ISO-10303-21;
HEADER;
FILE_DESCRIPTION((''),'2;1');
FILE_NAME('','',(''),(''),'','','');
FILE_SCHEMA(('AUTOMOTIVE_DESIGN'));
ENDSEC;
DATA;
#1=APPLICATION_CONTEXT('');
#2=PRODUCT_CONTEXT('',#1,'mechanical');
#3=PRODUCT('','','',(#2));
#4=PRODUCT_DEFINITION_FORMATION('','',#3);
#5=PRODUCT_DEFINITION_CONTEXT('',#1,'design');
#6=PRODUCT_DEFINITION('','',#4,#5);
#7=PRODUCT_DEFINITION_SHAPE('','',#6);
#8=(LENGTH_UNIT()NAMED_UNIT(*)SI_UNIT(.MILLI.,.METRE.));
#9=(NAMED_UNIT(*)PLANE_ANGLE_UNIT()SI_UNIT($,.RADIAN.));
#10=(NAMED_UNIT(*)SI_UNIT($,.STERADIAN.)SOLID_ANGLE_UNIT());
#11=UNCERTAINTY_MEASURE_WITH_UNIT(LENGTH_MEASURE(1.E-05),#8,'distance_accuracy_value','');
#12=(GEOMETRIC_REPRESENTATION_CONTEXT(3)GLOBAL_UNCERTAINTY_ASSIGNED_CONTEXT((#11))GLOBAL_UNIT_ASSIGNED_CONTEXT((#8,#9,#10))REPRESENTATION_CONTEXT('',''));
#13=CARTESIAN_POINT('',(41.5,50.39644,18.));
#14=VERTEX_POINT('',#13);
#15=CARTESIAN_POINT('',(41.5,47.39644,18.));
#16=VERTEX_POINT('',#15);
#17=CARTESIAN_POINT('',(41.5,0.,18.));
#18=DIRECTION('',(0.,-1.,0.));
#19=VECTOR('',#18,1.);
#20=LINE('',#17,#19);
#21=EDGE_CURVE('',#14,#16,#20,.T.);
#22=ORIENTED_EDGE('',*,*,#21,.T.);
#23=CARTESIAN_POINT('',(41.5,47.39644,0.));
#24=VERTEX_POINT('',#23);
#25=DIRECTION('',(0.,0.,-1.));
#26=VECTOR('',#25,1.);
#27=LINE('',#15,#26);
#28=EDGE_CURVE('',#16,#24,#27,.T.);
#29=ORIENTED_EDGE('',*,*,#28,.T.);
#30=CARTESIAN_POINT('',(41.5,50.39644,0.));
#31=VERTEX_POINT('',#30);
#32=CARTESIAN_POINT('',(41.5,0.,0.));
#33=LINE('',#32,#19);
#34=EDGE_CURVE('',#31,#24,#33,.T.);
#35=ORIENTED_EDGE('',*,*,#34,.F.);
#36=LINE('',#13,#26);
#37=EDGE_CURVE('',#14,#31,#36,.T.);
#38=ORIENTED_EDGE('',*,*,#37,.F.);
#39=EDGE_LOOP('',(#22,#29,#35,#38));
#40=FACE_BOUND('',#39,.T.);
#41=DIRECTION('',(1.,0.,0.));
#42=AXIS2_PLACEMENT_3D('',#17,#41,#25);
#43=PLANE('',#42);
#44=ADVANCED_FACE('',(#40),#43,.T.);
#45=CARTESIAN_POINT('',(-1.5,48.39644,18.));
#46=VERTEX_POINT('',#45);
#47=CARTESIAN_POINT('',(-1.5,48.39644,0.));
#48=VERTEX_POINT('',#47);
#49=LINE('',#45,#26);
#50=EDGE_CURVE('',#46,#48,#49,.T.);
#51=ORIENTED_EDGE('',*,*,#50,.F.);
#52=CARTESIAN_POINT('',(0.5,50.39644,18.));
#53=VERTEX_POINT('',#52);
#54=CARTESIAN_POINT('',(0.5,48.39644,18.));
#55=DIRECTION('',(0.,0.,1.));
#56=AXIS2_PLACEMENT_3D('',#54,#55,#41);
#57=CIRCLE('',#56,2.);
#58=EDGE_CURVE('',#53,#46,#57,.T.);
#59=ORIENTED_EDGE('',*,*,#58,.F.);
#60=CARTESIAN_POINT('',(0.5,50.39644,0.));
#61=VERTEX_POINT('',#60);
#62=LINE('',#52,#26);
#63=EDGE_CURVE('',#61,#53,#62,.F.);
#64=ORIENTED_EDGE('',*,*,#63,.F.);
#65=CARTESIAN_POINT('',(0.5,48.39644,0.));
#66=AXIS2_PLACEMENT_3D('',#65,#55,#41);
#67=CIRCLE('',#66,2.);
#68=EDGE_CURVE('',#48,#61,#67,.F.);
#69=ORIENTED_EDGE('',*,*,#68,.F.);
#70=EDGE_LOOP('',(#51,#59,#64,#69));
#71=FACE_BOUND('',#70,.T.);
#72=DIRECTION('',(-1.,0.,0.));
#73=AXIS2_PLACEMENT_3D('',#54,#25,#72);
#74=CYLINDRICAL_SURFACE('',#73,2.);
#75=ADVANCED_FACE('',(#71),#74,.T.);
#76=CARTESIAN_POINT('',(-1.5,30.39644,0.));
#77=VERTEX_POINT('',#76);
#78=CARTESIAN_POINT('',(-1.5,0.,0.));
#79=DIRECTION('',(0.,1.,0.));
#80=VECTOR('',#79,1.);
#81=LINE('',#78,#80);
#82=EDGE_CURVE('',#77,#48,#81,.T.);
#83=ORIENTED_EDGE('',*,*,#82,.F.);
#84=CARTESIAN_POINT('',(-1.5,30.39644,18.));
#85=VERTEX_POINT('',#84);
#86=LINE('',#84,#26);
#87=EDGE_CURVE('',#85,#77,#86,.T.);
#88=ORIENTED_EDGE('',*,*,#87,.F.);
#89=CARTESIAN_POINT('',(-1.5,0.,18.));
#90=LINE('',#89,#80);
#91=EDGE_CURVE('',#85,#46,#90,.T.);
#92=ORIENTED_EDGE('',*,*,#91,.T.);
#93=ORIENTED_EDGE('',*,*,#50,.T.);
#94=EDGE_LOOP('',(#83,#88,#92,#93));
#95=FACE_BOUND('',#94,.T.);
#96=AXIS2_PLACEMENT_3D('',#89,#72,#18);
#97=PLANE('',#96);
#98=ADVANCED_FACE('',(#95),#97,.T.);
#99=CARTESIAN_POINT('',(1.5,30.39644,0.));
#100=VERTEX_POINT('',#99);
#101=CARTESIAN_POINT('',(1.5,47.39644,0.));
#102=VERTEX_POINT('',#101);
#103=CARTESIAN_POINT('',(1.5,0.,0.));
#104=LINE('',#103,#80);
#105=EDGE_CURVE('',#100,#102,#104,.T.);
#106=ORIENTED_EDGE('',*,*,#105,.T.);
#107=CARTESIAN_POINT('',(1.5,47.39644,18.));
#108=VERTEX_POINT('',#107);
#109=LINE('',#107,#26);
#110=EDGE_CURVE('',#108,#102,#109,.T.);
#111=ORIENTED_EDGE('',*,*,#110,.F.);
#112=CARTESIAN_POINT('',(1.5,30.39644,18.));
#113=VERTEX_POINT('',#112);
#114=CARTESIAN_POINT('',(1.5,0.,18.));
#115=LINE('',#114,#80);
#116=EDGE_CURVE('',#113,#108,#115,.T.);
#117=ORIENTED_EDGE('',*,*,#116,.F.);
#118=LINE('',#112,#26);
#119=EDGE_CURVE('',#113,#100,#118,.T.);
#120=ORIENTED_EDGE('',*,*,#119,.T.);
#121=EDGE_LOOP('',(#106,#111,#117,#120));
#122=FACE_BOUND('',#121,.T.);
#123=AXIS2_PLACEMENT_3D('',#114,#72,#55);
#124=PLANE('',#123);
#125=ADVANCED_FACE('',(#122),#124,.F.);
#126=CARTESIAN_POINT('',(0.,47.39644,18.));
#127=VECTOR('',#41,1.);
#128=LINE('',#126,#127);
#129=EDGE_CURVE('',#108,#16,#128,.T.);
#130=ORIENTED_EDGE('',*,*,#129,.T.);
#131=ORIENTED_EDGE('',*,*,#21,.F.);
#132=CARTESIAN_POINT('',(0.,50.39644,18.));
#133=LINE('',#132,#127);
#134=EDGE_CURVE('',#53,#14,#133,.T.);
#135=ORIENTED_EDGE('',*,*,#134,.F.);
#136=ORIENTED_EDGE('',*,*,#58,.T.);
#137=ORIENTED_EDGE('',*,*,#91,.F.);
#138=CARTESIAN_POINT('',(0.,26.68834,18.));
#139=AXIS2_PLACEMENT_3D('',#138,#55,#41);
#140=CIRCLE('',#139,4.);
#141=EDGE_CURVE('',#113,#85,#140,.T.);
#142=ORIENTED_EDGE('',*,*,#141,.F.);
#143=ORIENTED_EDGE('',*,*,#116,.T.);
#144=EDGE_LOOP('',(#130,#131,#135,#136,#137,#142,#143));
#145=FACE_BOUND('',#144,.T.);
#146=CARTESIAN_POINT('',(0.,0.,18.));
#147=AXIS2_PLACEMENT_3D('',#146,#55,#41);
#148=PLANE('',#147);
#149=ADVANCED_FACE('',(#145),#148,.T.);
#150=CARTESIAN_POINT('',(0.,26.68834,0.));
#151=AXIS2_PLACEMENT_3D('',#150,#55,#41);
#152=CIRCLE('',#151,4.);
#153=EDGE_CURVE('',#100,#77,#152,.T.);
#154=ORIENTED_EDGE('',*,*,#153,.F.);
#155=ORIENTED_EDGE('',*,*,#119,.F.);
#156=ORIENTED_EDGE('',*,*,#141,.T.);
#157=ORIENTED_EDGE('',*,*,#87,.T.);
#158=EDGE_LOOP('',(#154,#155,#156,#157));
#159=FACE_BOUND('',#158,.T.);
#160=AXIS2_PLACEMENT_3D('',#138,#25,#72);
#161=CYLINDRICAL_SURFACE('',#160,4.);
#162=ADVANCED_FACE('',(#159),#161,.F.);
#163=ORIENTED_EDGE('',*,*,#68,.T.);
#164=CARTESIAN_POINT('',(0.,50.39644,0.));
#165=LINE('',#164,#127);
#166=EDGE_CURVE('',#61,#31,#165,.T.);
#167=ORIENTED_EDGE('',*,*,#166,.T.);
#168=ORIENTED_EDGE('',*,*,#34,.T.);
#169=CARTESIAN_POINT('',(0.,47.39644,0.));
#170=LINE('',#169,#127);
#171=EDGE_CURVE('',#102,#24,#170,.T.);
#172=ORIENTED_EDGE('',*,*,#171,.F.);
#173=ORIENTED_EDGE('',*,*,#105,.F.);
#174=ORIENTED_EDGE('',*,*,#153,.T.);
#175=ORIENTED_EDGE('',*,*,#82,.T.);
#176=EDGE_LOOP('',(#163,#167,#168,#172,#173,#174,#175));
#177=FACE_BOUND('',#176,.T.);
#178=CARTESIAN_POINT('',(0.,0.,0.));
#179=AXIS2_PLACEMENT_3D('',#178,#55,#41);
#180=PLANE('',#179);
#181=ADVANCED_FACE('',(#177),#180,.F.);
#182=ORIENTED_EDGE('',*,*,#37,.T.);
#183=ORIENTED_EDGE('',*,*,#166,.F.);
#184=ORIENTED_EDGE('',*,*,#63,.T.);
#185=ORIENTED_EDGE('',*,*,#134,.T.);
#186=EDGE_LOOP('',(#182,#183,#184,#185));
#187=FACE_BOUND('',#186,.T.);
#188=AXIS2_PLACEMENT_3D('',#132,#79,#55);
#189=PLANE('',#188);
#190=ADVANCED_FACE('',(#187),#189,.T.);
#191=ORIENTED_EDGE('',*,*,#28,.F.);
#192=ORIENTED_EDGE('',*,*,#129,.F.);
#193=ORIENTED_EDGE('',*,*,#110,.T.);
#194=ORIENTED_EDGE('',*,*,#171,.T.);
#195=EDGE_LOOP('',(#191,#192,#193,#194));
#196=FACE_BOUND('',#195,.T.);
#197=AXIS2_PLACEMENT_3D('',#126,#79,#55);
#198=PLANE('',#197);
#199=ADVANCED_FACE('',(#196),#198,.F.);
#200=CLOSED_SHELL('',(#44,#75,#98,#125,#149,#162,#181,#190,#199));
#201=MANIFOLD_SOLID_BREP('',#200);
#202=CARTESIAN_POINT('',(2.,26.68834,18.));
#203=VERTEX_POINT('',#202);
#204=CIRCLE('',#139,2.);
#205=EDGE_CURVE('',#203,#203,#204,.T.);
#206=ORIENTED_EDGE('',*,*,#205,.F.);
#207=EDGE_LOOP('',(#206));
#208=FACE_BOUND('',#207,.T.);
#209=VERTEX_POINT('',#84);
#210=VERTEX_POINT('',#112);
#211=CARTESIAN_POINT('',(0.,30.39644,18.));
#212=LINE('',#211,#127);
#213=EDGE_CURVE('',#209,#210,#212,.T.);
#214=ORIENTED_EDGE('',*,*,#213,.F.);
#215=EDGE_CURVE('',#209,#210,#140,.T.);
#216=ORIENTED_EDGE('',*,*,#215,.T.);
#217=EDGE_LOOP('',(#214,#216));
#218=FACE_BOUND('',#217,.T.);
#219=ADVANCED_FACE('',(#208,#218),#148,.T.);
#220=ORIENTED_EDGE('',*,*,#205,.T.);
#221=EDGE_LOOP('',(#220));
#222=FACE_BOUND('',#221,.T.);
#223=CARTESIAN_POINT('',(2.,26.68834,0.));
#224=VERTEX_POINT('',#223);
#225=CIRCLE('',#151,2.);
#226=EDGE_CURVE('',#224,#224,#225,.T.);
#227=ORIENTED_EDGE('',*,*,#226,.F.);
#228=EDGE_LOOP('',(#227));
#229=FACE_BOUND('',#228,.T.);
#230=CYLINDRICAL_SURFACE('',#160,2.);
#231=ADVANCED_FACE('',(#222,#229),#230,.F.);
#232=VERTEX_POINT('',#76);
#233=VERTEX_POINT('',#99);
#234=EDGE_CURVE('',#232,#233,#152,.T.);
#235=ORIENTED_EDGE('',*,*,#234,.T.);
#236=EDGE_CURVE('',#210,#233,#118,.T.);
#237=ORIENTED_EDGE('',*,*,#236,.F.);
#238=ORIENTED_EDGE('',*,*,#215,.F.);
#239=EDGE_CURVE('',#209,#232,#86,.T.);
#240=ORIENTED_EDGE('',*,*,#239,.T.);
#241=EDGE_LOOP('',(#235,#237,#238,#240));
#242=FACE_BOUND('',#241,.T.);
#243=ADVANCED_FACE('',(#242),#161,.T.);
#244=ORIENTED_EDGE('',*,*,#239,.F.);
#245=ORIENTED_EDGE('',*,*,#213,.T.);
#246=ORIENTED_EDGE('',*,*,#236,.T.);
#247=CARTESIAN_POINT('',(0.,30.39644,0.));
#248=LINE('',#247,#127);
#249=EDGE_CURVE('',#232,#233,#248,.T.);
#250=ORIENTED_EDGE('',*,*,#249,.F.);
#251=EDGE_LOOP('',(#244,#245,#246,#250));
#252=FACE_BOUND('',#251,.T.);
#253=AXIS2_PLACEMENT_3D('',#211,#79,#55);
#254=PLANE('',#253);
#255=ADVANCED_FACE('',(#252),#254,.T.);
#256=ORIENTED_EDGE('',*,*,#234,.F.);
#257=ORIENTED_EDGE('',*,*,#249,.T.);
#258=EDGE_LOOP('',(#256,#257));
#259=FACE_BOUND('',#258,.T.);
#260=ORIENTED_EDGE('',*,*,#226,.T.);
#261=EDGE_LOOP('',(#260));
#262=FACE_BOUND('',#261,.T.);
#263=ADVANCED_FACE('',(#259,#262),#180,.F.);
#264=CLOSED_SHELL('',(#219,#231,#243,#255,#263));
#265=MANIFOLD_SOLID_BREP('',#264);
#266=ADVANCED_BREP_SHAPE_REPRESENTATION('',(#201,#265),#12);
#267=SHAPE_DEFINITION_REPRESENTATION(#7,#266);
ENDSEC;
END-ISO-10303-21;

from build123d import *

# Parameters (mm, degrees)
BOSS_EXTRUDE1_DEPTH   = 18
SKETCH1_R             = 2
BOSS_EXTRUDE1_2_DEPTH = 18
FILLET1_R             = 2


with BuildPart() as part:
    # Sketch1 → Boss-Extrude1 (new body)
    with BuildSketch(Plane.XY):
        with BuildLine():
            Line((-1.5, 50.396439737), (-1.5, 30.396439737))
            ThreePointArc((-1.5, 30.396439737), (0, 30.688340494), (1.5, 30.396439737))
            Line((1.5, 30.396439737), (1.5, 47.396439737))
            Line((1.5, 47.396439737), (41.5, 47.396439737))
            Line((41.5, 47.396439737), (41.5, 50.396439737))
            Line((41.5, 50.396439737), (1.5, 50.396439737))
            Line((1.5, 50.396439737), (-1.5, 50.396439737))
        make_face()
    extrude(amount=BOSS_EXTRUDE1_DEPTH)

    # Fillet1
    fillet1_edges = [part.edges().sort_by_distance(p)[0] for p in [
        (-1.5, 50.396439737, 9),
    ]]
    fillet(fillet1_edges, radius=FILLET1_R)


with BuildPart() as body_2:
    # Sketch1 → Boss-Extrude1 2 (new body)
    with BuildSketch(Plane.XY):
        with BuildLine():
            Line((1.5, 30.396439737), (-1.5, 30.396439737))
            ThreePointArc((-1.5, 30.396439737), (-2.236067977, 23.371715703), (4, 26.688340494))
            ThreePointArc((4, 26.688340494), (3.31662479, 28.924408471), (1.5, 30.396439737))
        make_face()
        with Locations((0, 26.688340494)):
            Circle(SKETCH1_R, mode=Mode.SUBTRACT)
    extrude(amount=BOSS_EXTRUDE1_2_DEPTH)


solid = Compound([part.part, body_2.part])
